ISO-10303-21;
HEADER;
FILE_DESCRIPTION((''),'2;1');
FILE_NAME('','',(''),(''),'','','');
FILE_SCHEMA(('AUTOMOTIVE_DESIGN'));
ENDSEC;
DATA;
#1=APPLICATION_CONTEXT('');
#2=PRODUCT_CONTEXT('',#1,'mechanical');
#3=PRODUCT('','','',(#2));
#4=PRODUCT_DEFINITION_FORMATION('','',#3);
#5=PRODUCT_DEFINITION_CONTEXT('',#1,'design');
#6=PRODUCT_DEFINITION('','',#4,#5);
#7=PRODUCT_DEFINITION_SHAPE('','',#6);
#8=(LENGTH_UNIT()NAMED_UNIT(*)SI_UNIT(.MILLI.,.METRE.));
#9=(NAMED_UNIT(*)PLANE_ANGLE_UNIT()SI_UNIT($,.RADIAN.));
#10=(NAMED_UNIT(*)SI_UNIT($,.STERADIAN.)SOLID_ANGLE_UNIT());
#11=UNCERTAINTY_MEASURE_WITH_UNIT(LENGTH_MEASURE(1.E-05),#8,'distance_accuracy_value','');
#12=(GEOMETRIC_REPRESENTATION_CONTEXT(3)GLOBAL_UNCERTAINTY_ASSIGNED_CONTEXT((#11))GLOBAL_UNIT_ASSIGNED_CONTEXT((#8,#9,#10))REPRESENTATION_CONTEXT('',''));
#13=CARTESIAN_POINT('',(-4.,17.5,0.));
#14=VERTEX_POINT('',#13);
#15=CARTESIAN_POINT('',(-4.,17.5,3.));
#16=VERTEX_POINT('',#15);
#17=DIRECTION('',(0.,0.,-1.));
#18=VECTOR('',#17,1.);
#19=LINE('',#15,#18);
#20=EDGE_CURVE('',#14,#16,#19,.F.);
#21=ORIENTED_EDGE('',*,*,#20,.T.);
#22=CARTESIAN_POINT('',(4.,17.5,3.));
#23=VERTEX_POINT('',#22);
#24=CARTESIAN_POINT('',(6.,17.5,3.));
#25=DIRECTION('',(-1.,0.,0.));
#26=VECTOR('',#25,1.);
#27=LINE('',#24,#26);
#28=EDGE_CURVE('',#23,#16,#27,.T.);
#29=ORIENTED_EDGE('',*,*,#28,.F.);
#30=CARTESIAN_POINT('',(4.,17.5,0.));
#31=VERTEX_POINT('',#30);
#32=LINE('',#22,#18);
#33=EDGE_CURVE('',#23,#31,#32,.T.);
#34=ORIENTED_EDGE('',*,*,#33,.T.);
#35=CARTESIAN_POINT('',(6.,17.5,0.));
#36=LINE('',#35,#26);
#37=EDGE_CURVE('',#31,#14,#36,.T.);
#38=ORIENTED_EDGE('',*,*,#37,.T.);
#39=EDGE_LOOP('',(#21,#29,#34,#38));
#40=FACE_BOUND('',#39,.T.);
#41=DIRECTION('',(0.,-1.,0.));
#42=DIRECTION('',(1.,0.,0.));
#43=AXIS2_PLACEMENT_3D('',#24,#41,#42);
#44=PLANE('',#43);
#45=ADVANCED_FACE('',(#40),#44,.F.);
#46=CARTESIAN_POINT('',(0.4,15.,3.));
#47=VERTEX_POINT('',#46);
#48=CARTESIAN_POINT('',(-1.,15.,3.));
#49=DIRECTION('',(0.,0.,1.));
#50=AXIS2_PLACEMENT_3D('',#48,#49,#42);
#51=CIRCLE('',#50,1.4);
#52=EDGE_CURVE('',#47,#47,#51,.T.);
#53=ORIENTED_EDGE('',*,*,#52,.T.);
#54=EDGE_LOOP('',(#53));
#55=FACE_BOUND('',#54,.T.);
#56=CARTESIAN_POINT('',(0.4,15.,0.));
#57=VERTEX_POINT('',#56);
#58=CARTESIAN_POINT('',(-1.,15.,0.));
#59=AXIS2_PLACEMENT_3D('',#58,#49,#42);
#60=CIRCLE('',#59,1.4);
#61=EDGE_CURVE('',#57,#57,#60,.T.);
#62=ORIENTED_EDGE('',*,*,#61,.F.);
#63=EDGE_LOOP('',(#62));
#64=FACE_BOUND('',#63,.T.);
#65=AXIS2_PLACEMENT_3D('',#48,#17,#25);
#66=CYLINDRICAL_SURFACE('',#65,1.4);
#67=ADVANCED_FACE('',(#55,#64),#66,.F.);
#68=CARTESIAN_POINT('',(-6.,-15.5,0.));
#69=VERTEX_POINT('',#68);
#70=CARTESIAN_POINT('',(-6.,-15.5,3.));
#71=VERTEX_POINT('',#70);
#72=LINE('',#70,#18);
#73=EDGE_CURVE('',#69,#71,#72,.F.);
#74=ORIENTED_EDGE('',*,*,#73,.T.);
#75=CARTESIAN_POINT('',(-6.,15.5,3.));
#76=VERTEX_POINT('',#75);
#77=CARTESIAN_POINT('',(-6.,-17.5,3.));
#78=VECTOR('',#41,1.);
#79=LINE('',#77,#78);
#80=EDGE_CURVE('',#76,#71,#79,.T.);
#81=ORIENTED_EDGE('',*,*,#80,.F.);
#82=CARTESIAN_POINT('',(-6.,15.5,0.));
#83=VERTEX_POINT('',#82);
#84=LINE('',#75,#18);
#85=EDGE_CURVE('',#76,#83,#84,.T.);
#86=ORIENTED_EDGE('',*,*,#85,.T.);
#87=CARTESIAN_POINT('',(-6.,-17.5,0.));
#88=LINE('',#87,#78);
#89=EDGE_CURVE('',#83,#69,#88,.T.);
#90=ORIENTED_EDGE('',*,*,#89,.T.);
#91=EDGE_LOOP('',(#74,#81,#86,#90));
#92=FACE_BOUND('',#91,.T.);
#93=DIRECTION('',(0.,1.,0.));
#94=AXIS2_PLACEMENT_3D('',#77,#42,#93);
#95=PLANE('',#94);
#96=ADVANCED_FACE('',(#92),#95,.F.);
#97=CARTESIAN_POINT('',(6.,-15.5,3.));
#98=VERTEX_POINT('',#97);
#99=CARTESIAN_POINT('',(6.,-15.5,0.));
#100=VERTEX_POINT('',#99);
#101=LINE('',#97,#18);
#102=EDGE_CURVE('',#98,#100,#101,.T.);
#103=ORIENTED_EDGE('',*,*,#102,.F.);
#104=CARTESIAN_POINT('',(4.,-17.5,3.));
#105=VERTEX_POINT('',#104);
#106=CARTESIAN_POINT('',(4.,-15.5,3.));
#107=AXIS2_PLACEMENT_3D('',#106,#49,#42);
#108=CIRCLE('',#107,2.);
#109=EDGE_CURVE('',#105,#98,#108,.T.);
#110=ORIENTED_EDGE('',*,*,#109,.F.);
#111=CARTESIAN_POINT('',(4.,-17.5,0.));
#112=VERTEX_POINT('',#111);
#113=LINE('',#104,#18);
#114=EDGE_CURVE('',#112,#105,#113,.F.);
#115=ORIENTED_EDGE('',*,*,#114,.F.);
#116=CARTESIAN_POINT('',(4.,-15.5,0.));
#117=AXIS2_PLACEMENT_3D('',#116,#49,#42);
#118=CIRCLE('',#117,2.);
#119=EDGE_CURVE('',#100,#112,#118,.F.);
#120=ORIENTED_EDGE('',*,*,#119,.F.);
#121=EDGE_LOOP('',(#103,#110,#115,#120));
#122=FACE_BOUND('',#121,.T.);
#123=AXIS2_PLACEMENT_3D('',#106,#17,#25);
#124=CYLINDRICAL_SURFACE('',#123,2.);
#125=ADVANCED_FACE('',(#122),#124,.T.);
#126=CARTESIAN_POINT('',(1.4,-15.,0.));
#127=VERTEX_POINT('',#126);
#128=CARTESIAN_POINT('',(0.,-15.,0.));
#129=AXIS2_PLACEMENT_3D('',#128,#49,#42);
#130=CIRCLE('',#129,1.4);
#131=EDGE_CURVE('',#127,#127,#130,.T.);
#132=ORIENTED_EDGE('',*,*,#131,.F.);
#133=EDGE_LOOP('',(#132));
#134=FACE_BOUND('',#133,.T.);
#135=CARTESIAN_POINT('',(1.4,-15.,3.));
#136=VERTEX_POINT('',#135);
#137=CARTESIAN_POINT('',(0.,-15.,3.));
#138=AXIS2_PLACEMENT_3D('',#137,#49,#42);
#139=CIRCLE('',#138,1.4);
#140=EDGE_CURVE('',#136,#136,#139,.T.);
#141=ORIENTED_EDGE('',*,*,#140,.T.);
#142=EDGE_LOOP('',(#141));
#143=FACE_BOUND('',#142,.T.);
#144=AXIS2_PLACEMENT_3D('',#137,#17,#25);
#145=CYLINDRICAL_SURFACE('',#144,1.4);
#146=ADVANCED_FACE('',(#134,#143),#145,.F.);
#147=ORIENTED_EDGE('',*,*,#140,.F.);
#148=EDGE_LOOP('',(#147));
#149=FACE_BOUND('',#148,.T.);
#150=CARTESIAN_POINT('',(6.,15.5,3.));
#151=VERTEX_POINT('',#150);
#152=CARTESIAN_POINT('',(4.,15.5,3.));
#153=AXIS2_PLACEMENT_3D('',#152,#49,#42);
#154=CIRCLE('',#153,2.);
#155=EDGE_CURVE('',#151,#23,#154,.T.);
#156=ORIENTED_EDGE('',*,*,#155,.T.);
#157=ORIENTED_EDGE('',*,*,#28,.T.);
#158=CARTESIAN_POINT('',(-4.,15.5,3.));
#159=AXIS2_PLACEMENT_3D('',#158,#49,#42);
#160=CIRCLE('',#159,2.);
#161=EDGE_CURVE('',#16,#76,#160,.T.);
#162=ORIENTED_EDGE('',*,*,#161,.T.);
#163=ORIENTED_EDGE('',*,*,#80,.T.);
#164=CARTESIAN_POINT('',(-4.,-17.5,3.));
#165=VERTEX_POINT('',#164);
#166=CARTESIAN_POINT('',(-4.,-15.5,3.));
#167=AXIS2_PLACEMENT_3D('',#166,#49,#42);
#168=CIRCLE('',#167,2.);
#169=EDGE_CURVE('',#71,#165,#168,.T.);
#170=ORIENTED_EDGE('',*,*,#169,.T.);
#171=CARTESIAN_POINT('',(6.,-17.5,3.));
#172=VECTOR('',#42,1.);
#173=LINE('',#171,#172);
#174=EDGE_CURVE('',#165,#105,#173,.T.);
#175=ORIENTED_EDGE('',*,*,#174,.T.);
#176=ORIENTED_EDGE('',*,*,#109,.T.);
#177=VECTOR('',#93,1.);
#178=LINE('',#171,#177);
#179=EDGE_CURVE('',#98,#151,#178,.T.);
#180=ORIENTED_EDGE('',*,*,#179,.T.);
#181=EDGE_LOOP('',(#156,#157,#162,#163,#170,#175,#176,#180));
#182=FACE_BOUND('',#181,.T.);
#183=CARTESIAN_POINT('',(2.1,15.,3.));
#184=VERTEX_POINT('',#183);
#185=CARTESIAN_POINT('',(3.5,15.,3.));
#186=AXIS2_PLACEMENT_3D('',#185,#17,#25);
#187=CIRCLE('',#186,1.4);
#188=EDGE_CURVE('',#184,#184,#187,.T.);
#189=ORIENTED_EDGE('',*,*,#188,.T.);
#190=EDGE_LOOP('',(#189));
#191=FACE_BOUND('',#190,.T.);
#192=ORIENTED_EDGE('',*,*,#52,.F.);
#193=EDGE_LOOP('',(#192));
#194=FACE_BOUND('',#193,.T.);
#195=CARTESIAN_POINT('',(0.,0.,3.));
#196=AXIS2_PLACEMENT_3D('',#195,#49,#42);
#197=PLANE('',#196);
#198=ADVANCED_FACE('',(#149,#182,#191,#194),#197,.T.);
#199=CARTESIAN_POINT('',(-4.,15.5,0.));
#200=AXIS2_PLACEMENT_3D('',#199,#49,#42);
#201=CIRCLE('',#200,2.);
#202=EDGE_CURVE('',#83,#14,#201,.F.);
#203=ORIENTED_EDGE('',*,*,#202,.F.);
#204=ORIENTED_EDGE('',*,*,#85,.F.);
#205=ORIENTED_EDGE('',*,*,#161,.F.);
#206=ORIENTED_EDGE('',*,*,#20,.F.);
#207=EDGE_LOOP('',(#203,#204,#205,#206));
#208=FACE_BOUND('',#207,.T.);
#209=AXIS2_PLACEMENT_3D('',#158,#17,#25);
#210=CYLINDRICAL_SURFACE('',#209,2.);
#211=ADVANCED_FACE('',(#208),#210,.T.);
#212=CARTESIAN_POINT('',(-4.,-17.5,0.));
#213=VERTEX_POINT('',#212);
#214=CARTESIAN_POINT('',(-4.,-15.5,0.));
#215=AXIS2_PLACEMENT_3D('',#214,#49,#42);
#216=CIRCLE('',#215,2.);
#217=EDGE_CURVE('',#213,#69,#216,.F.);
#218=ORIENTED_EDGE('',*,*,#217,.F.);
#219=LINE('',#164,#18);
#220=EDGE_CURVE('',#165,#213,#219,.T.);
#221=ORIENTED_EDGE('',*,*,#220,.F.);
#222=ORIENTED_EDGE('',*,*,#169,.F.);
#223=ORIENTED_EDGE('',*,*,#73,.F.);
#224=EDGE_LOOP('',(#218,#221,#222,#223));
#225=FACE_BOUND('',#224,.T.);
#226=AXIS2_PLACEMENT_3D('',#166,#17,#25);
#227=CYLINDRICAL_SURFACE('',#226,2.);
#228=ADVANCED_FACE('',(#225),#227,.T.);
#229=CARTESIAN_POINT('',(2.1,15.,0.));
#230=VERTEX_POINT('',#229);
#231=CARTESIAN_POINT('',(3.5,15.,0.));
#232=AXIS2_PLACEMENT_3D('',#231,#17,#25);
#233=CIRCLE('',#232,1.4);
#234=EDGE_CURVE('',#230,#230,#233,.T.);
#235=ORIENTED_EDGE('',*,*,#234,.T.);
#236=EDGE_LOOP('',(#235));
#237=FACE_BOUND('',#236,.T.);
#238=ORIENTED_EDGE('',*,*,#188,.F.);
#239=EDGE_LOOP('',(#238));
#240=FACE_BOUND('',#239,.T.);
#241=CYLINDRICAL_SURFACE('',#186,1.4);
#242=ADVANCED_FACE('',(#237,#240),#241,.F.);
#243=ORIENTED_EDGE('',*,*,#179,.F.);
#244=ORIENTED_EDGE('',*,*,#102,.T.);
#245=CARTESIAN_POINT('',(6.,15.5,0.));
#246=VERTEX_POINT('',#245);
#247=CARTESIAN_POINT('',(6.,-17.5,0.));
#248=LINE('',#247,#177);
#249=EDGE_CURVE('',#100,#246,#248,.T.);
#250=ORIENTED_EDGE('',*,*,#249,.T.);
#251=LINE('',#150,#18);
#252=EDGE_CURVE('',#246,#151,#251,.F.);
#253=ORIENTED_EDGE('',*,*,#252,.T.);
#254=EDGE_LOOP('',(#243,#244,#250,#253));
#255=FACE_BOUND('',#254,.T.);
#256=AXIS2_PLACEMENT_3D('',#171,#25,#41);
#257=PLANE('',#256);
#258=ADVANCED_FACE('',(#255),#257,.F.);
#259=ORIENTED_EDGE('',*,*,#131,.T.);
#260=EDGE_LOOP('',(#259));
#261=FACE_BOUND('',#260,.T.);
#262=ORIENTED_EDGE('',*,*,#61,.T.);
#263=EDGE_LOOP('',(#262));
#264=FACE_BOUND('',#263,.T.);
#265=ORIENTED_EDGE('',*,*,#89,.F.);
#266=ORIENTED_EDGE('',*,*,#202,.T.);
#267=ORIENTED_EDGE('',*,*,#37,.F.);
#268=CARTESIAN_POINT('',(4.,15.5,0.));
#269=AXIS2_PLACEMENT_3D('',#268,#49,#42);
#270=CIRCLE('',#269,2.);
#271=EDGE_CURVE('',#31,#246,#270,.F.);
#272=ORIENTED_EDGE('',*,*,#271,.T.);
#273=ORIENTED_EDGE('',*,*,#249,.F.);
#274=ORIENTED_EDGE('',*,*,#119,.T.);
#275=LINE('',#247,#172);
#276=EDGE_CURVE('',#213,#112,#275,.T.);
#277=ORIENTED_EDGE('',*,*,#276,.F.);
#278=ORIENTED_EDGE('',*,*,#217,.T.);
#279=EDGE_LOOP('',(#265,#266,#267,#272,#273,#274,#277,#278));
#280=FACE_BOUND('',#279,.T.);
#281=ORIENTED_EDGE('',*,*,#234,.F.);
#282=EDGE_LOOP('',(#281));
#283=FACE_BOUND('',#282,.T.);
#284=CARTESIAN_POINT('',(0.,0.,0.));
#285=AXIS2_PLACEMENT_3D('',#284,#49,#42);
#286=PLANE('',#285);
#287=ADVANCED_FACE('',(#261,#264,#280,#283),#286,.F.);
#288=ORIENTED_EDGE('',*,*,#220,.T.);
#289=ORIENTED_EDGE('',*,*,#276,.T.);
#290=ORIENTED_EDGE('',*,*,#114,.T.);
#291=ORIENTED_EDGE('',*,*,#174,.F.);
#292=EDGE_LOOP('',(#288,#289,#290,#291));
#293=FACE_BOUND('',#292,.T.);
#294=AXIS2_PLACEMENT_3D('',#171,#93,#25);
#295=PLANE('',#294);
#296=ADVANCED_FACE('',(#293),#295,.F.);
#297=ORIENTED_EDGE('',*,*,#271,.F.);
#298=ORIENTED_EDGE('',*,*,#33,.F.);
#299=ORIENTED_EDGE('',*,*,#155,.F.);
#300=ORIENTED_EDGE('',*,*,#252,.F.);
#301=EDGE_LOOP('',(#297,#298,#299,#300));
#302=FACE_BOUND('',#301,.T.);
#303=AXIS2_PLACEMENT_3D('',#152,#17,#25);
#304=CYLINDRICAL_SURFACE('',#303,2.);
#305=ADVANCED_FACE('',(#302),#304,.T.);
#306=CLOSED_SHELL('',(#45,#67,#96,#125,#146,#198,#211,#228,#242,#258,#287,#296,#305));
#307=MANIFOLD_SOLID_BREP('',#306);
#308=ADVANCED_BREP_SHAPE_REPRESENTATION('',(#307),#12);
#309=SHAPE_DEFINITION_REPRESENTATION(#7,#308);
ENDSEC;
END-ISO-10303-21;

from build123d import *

# Parameters (mm, degrees)
ESQUISSE1_W             = 12
ESQUISSE1_H             = 35
ESQUISSE1_R             = 1.4
BOSS_EXTRU_1_DEPTH      = 3
ESQUISSE2_R             = 1.4
ENL_V_MAT_EXTRU_1_DEPTH = 4
CONG_1_R                = 2


with BuildPart() as part:
    # Esquisse1 → Boss.-Extru.1 (new body)
    with BuildSketch(Plane.XY):
        Rectangle(ESQUISSE1_W, ESQUISSE1_H)
        with Locations((-1, 15)):
            Circle(ESQUISSE1_R, mode=Mode.SUBTRACT)
        with Locations((0, -15)):
            Circle(ESQUISSE1_R, mode=Mode.SUBTRACT)
    extrude(amount=BOSS_EXTRU_1_DEPTH)

    # Esquisse2 → Enlèv. mat.-Extru.1 (cut, through all)
    with BuildSketch(Plane(origin=(0, 0, 0), x_dir=(-1, 0, 0), z_dir=(0, 0, -1))):
        with Locations((-3.5, 15)):
            Circle(ESQUISSE2_R)
    extrude(amount=-ENL_V_MAT_EXTRU_1_DEPTH, mode=Mode.SUBTRACT)

    # Congé1
    cong_1_edges = [part.edges().sort_by_distance(p)[0] for p in [
        (-6, 17.5, 1.5),
        (6, 17.5, 1.5),
        (6, -17.5, 1.5),
        (-6, -17.5, 1.5),
    ]]
    fillet(cong_1_edges, radius=CONG_1_R)


solid = part.part
